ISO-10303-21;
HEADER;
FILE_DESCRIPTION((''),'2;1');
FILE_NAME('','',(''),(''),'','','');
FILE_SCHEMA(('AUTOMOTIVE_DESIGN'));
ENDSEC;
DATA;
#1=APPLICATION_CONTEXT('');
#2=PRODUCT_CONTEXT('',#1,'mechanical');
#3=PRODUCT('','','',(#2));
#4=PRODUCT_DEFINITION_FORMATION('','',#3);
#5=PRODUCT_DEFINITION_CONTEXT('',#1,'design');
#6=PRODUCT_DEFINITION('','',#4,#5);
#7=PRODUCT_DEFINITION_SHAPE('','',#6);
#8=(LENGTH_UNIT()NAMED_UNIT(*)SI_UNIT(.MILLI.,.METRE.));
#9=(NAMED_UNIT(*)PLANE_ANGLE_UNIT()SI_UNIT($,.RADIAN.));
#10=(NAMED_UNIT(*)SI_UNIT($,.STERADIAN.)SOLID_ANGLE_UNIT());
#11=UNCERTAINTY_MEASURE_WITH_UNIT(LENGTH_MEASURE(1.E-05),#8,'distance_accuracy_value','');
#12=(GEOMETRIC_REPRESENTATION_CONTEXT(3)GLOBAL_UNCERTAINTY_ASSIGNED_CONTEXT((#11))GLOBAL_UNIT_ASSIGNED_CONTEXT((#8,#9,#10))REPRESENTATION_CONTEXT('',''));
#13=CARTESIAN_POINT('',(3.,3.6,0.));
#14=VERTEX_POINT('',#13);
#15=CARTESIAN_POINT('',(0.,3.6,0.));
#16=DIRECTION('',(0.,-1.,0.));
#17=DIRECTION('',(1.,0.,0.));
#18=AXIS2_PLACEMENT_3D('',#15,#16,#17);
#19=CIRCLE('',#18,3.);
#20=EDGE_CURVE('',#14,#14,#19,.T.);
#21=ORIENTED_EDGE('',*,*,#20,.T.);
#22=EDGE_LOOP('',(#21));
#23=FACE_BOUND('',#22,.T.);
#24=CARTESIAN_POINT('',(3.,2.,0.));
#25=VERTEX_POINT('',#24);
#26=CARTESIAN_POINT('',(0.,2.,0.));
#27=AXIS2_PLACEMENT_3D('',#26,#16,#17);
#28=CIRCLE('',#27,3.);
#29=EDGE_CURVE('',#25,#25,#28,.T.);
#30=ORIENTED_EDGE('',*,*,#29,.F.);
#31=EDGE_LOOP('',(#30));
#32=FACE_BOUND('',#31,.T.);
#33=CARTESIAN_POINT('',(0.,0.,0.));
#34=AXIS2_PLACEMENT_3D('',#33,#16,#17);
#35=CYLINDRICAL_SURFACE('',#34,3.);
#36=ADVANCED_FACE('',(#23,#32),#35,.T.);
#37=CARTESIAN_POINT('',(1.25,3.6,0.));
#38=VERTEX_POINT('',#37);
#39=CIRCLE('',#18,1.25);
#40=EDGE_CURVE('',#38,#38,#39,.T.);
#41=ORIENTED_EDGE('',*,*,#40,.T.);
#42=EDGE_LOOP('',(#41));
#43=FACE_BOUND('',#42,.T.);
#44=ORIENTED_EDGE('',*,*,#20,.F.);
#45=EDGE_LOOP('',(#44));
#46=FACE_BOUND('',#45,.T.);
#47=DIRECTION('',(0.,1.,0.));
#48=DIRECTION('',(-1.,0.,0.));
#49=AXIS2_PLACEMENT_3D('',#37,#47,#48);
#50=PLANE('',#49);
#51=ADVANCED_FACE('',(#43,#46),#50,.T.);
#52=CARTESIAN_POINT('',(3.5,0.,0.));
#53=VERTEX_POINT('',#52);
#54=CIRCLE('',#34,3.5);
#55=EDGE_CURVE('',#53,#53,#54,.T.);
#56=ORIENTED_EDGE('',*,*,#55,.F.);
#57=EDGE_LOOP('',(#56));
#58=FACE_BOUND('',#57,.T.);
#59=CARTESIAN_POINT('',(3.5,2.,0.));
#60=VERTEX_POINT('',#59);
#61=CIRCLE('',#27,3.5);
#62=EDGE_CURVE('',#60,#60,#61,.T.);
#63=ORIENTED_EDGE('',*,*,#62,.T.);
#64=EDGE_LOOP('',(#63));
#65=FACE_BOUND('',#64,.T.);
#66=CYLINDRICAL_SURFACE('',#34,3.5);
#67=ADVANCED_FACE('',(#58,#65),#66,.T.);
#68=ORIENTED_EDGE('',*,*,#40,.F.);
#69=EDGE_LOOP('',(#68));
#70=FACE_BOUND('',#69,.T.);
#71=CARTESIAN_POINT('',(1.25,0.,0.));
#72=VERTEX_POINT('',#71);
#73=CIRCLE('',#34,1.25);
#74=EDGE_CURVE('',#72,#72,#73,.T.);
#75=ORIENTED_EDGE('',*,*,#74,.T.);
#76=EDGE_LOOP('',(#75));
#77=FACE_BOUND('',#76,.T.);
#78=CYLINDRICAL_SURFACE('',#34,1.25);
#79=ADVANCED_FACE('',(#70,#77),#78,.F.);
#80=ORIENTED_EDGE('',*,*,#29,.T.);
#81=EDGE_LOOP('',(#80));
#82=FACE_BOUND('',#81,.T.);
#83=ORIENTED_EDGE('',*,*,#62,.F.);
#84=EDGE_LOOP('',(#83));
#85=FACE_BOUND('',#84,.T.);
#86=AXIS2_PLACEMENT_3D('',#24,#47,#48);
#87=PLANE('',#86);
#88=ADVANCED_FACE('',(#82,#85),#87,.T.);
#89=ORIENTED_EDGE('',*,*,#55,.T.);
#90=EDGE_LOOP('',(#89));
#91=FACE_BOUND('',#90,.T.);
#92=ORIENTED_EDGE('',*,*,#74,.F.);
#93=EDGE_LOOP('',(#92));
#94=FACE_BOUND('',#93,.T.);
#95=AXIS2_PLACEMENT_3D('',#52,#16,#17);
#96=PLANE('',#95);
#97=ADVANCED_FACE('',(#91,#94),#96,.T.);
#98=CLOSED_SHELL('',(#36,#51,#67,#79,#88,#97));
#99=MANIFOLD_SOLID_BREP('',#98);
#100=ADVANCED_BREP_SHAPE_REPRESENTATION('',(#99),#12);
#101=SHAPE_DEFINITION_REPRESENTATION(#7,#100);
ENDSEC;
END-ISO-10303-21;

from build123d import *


with BuildPart() as part:
    # ｽｹｯﾁ1 → 回転1 (revolve)
    with BuildSketch(Plane.XY):
        Polygon((1.25, 0), (1.25, 3.6), (3, 3.6), (3, 2), (3.5, 2), (3.5, 0), align=None)
    revolve(axis=Axis((0, 0, 0), (0, 1, 0)))


solid = part.part
